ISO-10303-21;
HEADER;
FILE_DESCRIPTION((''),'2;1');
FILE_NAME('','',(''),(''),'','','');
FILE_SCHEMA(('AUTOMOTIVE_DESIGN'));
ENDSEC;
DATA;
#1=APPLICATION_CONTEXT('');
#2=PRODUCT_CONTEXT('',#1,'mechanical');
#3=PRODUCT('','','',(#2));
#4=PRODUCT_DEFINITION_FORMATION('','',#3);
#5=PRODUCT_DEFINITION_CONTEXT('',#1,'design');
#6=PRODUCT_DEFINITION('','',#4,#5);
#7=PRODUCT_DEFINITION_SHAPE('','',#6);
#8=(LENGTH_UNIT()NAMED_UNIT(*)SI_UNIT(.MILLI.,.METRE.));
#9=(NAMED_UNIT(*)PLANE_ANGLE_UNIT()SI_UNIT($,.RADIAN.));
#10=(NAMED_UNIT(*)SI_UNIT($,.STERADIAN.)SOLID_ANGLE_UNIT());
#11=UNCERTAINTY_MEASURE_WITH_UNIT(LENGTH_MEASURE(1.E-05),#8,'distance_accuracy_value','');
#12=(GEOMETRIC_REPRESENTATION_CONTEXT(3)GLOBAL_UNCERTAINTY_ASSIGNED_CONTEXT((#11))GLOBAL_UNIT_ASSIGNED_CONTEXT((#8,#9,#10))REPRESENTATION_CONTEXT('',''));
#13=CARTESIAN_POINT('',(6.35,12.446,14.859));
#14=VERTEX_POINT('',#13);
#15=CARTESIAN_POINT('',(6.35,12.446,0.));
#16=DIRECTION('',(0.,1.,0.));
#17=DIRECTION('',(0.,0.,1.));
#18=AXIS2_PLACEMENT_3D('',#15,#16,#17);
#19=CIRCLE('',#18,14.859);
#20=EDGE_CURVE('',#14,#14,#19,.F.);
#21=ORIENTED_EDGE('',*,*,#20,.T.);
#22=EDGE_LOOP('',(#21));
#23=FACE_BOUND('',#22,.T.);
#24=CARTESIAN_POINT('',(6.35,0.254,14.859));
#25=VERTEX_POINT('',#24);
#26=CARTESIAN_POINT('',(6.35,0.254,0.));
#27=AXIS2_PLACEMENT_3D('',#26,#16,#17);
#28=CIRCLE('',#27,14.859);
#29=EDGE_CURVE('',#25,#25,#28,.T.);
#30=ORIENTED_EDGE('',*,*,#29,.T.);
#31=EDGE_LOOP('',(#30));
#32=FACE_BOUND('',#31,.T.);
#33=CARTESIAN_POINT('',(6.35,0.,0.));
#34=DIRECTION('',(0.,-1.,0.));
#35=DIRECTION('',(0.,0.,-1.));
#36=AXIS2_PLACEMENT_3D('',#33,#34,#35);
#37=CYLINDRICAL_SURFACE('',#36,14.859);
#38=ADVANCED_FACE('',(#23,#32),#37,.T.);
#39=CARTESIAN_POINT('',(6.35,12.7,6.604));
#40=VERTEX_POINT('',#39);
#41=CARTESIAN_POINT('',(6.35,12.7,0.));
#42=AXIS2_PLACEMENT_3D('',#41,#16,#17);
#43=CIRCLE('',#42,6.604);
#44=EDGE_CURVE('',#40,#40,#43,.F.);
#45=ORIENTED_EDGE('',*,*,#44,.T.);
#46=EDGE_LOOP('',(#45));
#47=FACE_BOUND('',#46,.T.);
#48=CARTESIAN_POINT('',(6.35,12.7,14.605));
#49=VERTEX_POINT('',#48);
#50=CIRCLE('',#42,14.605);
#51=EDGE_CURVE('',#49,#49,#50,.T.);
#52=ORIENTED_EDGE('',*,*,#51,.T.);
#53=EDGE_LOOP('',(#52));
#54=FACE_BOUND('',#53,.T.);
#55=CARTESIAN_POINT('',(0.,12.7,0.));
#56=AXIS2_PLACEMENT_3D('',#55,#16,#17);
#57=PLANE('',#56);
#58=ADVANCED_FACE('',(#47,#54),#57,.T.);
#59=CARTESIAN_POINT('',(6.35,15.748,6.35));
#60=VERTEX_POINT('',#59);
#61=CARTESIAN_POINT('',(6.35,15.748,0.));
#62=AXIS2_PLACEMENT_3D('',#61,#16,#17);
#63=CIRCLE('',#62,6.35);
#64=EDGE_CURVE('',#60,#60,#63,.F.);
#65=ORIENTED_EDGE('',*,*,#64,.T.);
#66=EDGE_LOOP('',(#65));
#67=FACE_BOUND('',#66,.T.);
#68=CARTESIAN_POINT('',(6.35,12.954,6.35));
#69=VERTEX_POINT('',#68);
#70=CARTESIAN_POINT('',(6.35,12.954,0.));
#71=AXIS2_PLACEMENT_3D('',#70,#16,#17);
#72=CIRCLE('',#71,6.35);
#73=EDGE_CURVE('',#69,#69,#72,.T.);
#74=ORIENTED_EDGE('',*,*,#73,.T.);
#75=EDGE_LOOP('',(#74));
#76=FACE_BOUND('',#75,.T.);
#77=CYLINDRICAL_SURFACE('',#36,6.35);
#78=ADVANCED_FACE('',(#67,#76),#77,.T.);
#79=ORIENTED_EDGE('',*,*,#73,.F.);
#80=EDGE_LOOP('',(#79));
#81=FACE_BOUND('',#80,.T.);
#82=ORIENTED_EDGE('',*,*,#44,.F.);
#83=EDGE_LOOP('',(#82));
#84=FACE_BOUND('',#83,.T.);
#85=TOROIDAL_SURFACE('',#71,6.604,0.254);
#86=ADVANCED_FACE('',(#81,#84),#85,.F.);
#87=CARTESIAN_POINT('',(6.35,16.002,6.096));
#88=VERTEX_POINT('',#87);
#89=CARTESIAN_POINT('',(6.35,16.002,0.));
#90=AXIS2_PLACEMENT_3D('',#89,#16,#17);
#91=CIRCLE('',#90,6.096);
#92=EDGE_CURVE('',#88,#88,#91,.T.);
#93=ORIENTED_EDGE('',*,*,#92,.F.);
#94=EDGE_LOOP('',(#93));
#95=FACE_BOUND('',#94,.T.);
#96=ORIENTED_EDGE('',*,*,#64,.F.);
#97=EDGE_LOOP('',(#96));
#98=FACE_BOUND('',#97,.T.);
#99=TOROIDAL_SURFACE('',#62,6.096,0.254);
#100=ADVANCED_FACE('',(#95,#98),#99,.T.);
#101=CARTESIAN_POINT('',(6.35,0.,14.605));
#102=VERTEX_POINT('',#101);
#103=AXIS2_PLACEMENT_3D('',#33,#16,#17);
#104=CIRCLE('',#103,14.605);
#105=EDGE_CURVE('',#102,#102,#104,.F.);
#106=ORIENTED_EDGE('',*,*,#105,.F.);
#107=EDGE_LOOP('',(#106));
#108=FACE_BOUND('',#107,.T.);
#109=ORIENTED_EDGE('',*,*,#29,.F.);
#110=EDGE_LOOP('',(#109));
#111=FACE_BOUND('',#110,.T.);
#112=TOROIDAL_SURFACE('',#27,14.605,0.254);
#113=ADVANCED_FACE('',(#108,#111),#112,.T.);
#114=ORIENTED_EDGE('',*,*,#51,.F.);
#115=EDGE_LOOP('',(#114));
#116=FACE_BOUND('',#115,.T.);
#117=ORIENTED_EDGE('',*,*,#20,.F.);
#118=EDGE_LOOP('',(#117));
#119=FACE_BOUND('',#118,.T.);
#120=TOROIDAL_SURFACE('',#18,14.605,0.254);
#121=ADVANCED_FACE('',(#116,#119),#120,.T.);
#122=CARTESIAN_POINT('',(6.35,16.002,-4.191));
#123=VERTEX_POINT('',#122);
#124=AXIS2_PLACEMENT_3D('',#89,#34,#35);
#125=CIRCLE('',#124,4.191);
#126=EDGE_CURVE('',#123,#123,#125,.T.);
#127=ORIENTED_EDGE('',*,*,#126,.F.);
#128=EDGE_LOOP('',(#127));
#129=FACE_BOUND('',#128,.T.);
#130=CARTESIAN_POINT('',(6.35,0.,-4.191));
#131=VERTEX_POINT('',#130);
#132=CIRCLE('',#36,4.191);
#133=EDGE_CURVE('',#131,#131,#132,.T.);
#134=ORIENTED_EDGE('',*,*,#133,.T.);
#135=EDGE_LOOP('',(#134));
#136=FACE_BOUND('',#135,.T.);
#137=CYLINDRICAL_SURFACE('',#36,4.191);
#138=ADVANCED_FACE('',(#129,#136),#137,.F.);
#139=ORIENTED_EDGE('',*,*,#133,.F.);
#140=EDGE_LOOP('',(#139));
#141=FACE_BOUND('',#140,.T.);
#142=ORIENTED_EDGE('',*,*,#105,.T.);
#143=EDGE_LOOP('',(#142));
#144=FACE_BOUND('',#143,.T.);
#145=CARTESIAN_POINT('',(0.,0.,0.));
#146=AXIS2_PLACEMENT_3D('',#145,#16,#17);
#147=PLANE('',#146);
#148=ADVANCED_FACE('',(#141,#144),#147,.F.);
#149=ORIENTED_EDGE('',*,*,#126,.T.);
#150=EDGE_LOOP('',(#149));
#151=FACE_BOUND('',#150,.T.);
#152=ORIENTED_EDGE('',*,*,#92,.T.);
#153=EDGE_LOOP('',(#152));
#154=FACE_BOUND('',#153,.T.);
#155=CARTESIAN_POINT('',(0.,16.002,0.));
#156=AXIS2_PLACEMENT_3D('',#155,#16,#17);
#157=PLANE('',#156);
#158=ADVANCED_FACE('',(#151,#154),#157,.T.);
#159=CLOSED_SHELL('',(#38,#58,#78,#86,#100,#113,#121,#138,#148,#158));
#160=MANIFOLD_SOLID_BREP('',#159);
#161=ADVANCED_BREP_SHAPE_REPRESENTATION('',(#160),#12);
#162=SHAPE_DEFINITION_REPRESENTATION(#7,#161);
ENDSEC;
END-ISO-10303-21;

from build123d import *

# Parameters (mm, degrees)
FILLET2_R = 0.254


with BuildPart() as part:
    # Sketch1 → Revolve1 (revolve)
    with BuildSketch(Plane.XY):
        Polygon((2.159, 0), (2.159, 16.002), (0, 16.002), (0, 12.7), (-8.509, 12.7), (-8.509, 0), align=None)
    revolve(axis=Axis((6.35, 0, 0), (0, 1, 0)))

    # Fillet2
    fillet2_edges = [part.edges().sort_by_distance(p)[0] for p in [
        (21.209, 0, 0),
        (21.209, 12.7, 0),
        (12.7, 12.7, 0),
        (12.7, 16.002, 0),
    ]]
    fillet(fillet2_edges, radius=FILLET2_R)


solid = part.part
